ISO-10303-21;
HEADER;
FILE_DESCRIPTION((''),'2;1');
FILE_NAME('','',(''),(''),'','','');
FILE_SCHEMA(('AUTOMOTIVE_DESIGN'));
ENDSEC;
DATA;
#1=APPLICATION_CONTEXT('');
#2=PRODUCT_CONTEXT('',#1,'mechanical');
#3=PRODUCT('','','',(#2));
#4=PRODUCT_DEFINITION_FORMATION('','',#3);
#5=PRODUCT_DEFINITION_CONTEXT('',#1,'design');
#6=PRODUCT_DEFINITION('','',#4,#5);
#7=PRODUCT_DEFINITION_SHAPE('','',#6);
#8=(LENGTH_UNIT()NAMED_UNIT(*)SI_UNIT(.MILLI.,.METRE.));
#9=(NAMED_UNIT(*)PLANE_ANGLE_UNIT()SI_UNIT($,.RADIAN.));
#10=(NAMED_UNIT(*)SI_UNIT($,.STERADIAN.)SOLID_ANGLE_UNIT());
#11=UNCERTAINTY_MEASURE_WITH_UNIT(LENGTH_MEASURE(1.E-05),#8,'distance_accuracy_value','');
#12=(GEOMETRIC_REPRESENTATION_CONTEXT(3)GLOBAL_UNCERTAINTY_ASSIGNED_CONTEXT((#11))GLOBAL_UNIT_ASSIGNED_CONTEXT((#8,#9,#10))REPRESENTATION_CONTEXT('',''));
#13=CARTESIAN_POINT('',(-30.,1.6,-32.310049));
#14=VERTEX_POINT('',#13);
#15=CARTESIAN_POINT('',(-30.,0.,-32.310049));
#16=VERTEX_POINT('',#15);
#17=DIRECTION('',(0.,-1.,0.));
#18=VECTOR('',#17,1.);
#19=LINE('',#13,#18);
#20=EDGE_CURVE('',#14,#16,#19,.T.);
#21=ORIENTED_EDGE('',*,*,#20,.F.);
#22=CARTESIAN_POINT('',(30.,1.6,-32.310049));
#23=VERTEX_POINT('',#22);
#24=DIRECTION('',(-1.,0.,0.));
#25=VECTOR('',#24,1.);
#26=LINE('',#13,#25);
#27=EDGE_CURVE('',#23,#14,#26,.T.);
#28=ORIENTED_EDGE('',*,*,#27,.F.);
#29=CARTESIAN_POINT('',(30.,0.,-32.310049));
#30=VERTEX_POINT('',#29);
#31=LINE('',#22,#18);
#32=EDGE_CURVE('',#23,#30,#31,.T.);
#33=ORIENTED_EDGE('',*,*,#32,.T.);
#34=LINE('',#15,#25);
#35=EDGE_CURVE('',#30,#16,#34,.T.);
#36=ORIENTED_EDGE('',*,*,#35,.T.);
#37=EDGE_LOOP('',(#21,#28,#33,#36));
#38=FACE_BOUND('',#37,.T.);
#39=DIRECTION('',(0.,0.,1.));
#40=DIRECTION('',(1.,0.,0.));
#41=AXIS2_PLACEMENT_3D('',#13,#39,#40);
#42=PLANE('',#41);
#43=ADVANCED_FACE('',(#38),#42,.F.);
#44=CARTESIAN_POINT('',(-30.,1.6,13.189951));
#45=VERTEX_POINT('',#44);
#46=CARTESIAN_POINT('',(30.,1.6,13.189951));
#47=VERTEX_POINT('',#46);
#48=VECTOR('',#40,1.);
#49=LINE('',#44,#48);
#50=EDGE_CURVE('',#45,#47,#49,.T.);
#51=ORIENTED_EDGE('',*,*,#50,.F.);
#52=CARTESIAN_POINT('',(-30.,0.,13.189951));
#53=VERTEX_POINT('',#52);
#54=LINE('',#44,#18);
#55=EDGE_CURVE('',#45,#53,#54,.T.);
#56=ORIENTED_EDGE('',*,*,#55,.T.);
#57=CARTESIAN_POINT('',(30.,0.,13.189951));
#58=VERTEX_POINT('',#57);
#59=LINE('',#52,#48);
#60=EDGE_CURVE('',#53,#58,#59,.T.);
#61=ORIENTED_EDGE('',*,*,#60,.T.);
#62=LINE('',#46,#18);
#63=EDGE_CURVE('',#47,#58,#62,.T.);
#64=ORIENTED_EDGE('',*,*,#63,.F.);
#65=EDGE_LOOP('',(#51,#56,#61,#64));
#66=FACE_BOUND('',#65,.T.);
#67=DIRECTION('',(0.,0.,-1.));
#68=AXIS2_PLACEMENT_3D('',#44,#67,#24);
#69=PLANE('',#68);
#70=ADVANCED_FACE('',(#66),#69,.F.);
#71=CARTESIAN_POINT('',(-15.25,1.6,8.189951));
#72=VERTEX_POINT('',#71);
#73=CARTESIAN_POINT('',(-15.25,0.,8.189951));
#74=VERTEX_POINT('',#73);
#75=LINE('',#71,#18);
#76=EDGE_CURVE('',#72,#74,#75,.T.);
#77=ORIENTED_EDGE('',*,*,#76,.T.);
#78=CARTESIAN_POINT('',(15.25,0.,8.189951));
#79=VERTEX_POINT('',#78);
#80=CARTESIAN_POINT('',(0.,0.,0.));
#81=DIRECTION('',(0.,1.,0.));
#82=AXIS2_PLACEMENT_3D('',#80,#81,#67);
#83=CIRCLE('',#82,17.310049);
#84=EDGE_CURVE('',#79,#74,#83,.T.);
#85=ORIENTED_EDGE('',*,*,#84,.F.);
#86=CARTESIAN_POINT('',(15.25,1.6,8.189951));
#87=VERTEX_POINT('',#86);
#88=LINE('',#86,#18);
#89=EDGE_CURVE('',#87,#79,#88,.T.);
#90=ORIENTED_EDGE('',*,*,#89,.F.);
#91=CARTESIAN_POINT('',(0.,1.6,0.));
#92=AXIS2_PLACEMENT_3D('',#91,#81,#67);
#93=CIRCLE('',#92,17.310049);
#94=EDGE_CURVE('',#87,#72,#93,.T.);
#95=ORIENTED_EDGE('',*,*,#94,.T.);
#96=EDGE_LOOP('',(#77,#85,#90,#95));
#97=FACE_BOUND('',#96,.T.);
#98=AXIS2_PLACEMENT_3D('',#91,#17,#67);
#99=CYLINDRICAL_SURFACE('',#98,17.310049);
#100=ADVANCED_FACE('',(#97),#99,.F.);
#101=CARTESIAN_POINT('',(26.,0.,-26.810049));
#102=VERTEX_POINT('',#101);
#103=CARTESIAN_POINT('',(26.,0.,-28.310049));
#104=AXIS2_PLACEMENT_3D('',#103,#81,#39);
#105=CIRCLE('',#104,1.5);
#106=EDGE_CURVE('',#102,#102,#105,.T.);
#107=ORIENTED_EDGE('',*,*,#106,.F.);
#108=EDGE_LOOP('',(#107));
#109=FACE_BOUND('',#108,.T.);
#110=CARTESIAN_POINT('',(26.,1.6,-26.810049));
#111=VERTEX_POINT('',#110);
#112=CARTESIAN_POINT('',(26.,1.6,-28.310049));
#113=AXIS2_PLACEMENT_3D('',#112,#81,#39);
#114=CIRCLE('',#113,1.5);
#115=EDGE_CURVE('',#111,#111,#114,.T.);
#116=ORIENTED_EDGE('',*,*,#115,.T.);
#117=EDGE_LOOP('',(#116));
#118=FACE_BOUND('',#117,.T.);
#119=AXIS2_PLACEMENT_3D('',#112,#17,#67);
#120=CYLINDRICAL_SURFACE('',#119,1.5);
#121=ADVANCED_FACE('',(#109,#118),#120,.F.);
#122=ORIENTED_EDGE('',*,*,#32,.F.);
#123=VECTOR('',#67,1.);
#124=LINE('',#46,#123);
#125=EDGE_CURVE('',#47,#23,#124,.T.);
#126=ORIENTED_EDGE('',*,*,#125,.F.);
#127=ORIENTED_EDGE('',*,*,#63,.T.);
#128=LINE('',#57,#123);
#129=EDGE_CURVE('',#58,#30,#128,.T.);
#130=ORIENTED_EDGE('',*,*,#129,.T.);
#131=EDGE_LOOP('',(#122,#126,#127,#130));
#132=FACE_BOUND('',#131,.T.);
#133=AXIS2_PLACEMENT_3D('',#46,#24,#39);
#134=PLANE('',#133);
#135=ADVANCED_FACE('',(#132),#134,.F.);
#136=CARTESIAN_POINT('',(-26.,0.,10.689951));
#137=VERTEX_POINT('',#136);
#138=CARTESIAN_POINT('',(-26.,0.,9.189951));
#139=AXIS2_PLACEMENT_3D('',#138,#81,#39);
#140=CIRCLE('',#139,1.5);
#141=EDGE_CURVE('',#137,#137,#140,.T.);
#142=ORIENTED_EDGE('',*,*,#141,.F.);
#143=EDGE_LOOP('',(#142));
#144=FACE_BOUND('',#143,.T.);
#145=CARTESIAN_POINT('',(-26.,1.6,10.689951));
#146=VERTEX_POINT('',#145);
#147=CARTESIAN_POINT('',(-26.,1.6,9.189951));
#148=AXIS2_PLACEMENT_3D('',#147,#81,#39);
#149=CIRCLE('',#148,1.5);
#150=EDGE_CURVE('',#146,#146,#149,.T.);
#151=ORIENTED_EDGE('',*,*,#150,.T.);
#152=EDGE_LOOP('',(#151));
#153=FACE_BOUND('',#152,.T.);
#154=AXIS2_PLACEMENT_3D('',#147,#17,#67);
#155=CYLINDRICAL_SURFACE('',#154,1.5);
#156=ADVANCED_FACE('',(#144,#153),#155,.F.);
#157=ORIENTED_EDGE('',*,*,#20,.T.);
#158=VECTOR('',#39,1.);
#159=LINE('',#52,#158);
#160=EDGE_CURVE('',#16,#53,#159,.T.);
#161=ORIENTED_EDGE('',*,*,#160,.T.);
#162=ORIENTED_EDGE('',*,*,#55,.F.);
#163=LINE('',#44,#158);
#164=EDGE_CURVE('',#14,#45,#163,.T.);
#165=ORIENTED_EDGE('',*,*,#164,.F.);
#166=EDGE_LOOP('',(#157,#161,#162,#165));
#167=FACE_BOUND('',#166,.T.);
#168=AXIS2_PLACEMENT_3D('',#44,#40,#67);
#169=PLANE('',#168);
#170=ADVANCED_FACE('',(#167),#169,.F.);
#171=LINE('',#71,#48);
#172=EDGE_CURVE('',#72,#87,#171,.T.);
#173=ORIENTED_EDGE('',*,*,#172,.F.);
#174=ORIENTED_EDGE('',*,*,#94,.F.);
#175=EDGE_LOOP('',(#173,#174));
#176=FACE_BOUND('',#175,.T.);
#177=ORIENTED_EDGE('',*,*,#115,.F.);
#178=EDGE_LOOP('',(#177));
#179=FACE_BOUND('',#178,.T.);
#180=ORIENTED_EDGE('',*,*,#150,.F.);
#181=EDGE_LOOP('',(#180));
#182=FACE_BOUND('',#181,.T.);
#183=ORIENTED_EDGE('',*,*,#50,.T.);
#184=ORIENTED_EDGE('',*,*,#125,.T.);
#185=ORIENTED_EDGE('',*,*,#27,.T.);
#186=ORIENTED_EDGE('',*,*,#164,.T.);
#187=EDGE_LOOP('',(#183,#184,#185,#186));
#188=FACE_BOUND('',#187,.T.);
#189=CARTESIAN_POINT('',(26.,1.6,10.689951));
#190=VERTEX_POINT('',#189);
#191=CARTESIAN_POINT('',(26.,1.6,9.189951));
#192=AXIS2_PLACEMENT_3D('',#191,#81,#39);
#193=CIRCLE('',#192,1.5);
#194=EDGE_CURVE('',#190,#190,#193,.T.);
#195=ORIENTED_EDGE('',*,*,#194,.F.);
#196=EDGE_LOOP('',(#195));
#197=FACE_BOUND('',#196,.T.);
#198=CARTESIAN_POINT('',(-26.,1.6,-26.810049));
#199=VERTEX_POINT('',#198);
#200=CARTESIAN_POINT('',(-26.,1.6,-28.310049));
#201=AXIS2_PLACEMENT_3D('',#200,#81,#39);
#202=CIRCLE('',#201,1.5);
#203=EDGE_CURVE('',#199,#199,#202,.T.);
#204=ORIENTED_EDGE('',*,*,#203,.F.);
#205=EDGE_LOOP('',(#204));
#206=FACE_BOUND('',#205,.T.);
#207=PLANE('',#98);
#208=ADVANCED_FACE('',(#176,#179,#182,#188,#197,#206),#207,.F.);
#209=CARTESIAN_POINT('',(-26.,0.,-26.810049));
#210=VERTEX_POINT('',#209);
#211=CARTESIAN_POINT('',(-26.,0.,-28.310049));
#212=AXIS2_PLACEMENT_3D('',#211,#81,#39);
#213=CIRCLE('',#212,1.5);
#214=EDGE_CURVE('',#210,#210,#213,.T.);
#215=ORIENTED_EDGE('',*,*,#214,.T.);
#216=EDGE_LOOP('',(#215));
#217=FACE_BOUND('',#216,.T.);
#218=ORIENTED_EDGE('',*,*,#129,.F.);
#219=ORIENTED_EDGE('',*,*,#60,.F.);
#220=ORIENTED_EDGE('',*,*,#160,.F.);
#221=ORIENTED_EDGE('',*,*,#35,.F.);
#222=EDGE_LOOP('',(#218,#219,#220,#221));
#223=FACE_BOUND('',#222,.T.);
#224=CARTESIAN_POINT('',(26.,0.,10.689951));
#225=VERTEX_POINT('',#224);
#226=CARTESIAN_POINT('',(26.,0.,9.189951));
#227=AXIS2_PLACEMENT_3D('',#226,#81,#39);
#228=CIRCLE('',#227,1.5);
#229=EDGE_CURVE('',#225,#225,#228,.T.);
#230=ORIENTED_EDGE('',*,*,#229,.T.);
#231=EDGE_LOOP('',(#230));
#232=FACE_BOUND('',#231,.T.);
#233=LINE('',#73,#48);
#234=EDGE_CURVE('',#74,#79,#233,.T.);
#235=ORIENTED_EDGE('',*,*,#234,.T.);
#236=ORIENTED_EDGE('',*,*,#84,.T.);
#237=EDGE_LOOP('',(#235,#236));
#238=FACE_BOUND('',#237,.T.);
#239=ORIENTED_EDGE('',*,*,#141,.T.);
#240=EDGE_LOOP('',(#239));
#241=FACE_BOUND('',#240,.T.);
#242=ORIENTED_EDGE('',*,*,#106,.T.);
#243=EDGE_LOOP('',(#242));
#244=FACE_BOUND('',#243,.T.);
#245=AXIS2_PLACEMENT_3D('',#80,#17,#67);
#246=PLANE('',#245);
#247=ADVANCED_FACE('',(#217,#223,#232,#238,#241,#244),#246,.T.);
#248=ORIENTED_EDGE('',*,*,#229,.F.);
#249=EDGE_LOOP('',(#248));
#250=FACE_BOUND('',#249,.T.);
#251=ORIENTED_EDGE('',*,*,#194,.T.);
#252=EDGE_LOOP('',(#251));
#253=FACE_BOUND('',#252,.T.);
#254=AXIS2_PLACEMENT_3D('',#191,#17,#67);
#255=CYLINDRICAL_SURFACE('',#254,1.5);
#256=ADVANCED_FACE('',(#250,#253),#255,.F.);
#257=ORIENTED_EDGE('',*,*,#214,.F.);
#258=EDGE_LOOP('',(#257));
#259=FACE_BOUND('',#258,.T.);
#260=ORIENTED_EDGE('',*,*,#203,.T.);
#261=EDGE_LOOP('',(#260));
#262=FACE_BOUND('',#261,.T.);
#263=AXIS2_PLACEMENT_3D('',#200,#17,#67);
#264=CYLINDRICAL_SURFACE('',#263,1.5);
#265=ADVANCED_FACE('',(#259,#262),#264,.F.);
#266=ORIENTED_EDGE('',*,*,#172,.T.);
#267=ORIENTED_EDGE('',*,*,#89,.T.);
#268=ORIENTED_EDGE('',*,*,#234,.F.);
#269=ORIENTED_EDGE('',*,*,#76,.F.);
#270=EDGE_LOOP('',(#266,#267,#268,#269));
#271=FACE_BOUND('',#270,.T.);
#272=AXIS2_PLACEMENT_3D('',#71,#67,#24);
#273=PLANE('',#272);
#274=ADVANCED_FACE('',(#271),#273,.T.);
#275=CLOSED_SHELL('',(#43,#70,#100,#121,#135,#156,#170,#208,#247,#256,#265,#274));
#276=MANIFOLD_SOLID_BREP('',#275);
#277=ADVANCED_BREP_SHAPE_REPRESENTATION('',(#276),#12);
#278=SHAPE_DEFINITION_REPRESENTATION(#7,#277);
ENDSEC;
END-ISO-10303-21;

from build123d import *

# Parameters (mm, degrees)
SKETCH1_W           = 60
SKETCH1_H           = 45.5
SKETCH1_R           = 1.5
BOSS_EXTRUDE3_DEPTH = 1.6


with BuildPart() as part:
    # Sketch1 → Boss-Extrude3 (new body)
    with BuildSketch(Plane(origin=(0, 0, 0), x_dir=(1, 0, 0), z_dir=(0, 1, 0))):
        with Locations((0, 9.56004902)):
            Rectangle(SKETCH1_W, SKETCH1_H)
        with Locations(Location((-26, 28.31004902, 0), (0, 0, 270))):
            Circle(SKETCH1_R, mode=Mode.SUBTRACT)
        with Locations(Location((26, 28.31004902, 0), (0, 0, 270))):
            Circle(SKETCH1_R, mode=Mode.SUBTRACT)
        with Locations(Location((-26, -9.18995098, 0), (0, 0, 270))):
            Circle(SKETCH1_R, mode=Mode.SUBTRACT)
        with Locations(Location((26, -9.18995098, 0), (0, 0, 270))):
            Circle(SKETCH1_R, mode=Mode.SUBTRACT)
        with BuildLine():
            Line((-15.25, -8.18995098), (15.25, -8.18995098))
            ThreePointArc((15.25, -8.18995098), (0, 17.31004902), (-15.25, -8.18995098))
        make_face(mode=Mode.SUBTRACT)
    extrude(amount=BOSS_EXTRUDE3_DEPTH)


solid = part.part
